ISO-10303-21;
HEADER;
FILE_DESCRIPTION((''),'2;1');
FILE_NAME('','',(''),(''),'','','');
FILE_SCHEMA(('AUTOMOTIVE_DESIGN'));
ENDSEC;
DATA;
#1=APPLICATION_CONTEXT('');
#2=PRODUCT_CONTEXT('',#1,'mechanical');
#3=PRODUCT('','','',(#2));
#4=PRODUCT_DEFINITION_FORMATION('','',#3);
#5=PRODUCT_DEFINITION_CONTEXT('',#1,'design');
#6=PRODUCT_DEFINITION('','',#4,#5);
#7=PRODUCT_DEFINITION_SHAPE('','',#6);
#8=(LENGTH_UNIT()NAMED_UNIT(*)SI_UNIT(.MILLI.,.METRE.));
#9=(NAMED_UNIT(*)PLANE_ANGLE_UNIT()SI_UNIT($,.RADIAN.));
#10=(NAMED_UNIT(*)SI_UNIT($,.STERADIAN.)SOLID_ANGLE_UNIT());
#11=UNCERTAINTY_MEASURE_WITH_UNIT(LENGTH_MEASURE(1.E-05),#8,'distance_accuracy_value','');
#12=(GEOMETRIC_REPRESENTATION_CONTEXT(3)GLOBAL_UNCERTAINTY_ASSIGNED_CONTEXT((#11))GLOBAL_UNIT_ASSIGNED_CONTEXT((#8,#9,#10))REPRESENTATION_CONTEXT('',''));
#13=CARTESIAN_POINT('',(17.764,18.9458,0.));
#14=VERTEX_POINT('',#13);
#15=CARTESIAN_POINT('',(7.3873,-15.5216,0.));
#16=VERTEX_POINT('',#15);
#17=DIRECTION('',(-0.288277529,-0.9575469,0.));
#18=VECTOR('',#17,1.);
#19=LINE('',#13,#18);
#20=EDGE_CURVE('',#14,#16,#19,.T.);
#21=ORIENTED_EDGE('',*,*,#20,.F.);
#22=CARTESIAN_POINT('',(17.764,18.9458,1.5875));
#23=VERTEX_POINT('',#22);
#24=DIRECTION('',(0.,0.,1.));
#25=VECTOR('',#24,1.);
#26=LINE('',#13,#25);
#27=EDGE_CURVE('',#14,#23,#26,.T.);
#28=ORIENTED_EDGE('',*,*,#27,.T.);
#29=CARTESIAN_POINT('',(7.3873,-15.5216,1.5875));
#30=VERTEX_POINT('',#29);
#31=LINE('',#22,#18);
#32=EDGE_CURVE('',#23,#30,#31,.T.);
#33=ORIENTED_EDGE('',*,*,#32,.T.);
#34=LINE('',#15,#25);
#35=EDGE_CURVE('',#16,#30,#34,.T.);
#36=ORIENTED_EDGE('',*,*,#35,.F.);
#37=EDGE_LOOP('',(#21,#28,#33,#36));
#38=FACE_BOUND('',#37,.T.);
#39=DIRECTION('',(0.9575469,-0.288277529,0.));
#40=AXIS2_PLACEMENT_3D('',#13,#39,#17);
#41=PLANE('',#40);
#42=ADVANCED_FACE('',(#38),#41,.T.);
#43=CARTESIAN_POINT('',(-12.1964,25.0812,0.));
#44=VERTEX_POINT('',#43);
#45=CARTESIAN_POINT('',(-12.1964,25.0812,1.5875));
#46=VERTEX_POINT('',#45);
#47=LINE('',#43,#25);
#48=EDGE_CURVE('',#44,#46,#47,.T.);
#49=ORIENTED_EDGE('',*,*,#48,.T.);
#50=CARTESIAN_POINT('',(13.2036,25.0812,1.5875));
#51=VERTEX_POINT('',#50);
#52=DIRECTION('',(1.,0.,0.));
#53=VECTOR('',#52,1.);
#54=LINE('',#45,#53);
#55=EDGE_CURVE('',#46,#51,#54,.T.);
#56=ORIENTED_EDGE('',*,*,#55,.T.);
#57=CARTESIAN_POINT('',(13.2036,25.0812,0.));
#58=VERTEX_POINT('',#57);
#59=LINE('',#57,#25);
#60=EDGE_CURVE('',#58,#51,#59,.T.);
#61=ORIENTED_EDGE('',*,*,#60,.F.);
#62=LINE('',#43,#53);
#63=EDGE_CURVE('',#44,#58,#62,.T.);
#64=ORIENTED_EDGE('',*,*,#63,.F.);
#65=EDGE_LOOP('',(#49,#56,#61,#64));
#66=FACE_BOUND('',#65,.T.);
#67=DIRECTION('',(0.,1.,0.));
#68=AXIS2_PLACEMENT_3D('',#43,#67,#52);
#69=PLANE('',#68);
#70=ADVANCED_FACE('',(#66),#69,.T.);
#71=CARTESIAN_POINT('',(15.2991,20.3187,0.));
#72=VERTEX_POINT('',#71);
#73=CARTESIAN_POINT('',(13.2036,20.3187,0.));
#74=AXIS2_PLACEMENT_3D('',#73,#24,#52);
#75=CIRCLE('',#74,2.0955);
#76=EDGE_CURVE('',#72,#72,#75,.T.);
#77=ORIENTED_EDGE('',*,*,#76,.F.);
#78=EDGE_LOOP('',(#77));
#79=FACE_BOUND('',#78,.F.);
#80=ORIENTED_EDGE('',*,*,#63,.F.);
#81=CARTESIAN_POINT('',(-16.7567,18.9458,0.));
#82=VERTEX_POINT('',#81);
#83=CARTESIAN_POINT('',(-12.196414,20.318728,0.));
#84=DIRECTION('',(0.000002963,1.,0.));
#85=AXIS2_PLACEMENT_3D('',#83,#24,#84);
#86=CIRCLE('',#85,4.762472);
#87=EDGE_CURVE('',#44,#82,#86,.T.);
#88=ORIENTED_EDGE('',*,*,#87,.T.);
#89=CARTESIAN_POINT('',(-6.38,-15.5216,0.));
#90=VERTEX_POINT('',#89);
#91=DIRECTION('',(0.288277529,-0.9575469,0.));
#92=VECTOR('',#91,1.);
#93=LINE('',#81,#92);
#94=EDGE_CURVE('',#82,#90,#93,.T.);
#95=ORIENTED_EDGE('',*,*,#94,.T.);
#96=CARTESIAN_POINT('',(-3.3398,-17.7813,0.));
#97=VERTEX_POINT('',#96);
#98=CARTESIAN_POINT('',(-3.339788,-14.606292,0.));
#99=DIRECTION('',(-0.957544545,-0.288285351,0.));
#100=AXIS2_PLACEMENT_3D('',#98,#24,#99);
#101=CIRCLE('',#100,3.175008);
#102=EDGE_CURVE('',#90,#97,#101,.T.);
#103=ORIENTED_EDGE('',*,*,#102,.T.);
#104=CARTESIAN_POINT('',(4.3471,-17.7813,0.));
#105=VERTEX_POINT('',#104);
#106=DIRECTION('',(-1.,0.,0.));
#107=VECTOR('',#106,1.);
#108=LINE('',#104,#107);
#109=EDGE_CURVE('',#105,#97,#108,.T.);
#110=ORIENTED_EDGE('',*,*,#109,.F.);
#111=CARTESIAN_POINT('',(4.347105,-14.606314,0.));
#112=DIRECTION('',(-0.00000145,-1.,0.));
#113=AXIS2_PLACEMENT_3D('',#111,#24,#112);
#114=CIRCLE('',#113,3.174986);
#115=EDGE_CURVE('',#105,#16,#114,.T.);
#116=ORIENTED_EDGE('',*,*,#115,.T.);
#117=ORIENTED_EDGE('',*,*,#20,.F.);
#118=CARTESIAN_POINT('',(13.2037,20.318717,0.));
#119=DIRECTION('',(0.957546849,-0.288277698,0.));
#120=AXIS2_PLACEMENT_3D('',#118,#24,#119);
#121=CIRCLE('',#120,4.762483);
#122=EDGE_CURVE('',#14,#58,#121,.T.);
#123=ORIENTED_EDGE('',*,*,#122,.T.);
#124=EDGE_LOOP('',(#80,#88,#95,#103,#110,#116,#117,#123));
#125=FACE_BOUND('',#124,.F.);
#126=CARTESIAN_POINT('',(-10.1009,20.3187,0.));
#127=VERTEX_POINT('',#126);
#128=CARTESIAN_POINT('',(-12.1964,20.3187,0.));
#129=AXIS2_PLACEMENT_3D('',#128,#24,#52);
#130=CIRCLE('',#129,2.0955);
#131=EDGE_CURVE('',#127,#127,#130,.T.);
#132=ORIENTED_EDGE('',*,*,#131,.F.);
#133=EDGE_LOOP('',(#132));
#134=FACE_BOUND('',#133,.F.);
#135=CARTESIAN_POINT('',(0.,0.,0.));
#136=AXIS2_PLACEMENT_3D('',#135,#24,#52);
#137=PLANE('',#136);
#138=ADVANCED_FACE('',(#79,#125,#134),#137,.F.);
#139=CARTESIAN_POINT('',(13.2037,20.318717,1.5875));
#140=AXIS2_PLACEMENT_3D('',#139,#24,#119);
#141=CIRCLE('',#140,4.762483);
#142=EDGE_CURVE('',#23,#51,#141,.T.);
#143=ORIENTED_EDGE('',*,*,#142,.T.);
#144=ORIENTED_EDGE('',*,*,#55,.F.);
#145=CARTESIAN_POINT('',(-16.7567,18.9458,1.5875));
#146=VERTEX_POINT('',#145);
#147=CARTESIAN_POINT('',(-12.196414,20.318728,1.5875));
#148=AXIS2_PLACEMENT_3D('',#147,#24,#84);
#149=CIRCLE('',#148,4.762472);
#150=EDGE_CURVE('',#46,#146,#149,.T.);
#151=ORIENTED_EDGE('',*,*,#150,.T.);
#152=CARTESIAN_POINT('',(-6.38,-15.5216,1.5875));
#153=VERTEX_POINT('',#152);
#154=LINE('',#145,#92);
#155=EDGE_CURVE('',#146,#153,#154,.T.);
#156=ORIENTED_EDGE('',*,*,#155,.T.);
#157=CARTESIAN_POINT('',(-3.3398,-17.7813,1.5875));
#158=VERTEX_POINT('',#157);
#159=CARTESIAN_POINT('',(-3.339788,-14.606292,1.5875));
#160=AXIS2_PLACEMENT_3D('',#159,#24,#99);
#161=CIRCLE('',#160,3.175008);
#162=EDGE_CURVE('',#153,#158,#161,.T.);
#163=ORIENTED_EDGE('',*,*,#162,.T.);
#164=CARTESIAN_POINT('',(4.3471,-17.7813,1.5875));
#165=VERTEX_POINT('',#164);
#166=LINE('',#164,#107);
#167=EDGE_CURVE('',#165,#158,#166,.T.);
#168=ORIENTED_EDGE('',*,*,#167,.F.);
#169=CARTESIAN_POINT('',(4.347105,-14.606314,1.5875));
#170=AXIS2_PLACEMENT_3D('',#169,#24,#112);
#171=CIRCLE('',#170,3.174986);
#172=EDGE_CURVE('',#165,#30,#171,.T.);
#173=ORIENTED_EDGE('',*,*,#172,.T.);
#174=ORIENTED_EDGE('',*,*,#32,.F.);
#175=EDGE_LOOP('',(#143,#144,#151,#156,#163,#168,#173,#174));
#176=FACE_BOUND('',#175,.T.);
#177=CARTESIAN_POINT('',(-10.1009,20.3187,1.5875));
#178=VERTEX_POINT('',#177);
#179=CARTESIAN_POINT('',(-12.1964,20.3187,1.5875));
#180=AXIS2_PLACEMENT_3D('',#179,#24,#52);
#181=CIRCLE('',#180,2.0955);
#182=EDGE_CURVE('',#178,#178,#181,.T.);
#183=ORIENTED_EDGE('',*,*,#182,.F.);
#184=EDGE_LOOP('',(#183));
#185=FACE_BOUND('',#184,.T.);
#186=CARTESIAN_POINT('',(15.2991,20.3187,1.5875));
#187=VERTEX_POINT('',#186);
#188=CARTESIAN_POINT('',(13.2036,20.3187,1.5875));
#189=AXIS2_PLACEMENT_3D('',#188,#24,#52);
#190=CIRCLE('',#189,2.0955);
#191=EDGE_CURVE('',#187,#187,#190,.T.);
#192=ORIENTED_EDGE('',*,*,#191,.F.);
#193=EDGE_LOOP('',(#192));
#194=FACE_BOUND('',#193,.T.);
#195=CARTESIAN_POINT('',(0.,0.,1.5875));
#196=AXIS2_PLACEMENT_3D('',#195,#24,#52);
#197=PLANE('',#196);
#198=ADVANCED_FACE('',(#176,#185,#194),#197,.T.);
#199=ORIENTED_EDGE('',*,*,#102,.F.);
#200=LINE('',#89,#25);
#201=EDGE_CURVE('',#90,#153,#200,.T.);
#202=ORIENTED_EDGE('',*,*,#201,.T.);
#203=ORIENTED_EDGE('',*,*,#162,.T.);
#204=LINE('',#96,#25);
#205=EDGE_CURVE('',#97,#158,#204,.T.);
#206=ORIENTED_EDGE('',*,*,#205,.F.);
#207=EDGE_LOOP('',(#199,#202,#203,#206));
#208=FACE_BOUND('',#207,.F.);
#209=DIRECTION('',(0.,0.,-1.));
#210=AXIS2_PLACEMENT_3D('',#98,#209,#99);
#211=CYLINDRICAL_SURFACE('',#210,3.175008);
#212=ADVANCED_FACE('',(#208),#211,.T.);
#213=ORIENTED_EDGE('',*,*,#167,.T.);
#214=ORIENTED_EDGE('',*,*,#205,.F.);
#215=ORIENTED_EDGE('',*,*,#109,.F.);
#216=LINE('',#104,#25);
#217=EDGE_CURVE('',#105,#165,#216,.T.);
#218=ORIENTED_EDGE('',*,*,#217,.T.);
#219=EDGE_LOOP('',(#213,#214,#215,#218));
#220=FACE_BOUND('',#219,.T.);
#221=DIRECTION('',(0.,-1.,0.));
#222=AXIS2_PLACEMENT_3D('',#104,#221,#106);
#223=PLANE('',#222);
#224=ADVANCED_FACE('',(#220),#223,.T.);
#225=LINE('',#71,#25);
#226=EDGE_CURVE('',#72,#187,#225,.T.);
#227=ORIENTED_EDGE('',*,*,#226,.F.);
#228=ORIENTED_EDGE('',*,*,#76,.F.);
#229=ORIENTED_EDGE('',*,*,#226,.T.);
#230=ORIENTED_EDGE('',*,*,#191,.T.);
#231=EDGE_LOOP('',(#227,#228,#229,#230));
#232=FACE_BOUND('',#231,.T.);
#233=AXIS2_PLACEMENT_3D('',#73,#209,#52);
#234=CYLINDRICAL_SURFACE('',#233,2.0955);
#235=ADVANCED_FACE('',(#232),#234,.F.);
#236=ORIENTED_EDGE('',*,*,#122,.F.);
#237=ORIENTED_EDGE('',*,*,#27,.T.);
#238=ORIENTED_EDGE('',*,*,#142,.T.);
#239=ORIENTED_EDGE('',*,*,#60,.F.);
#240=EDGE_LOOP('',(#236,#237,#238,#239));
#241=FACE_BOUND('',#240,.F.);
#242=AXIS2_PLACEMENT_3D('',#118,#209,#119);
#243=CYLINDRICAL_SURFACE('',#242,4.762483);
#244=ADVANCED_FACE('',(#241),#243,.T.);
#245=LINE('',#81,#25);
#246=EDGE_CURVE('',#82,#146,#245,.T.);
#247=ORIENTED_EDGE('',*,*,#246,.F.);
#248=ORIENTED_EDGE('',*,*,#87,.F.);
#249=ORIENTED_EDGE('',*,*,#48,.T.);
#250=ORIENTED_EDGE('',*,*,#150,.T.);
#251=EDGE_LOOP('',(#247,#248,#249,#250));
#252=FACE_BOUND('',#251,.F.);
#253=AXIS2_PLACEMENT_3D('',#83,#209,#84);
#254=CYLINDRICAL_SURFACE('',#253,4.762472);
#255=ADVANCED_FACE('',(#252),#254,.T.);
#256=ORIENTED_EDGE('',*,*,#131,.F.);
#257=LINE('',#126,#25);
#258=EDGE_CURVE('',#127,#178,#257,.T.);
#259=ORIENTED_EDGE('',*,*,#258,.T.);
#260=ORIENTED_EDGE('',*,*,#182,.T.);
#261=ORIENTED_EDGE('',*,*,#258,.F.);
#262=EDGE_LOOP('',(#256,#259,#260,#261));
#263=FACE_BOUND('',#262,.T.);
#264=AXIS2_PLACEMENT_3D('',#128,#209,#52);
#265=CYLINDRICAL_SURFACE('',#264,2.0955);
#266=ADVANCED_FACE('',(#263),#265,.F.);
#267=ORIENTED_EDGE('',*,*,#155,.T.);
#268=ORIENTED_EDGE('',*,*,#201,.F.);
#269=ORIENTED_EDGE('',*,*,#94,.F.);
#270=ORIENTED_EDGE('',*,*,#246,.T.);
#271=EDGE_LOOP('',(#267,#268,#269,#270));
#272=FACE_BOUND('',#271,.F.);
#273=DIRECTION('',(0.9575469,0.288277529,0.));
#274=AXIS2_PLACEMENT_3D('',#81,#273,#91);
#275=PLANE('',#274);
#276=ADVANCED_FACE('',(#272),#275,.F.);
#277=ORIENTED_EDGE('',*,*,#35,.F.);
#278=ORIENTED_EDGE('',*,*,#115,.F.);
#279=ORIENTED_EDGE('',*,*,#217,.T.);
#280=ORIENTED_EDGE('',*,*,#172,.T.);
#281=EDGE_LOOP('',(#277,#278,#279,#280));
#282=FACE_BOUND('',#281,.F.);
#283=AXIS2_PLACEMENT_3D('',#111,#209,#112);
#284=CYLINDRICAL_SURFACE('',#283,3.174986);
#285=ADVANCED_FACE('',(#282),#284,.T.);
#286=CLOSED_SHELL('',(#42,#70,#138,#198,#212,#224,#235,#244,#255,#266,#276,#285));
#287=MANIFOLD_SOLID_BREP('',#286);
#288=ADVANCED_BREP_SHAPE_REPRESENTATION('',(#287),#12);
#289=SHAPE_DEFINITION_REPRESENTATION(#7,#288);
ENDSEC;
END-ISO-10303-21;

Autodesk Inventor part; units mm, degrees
ref_plane "YZ Plane" through (0, 0, 0) normal (1, 0, 0) x (0, 1, 0)
ref_plane "XZ Plane" through (0, 0, 0) normal (0, 1, 0) x (-1, 0, 0)
ref_plane "XY Plane" through (0, 0, 0) normal (0, 0, 1) x (1, 0, 0)
sketch "Sketch1" plane through (0, 0, 0) normal (0, 0, 1) x (1, 0, 0)
  circle A0 centre (13.2036, 20.3187) radius 2.0955
  circle A1 centre (-12.1964, 20.3187) radius 2.0955
  line L0 (4.3471, -17.7813) -> (-3.3398, -17.7813)
  arc A2 (4.3471, -17.7813) -> (7.3873, -15.5216) centre (4.3471, -14.6063) ccw
  arc A3 (-6.38, -15.5216) -> (-3.3398, -17.7813) centre (-3.3398, -14.6063) ccw
  line L1 (-16.7567, 18.9458) -> (-6.38, -15.5216)
  line L2 (17.764, 18.9458) -> (7.3873, -15.5216)
  arc A4 (-12.1964, 25.0812) -> (-16.7567, 18.9458) centre (-12.1964, 20.3187) ccw
  arc A5 (17.764, 18.9458) -> (13.2036, 25.0812) centre (13.2036, 20.3187) ccw
  line L3 (-12.1964, 25.0812) -> (13.2036, 25.0812)
  point P0 (0, 0)
  point P1 (-12.1964, 25.0812)
  point P2 (17.4758, 18.214)
  point P3 (-16.4686, 18.214)
  dimension "d1" = 3.175
  dimension "d8" = 4.191
  dimension "d9" = 4.191
  dimension "d25" = 9.525
  dimension "d26" = 9.525
extrude "Extrusion1" add sketch "Sketch1" along normal blind 1.5875
equation "\"BendRadius\" = Thickness"
equation "\"BendReliefWidth\" = Thickness"
equation "\"BendReliefDepth\" = 0.5 * Thickness"
equation "\"CornerReliefSize\" = 4 * Thickness"
equation "\"MinimumRemnant\" = 2 * Thickness"
equation "\"TransitionRadius\" = BendRadius"
equation "\"JacobiRadiusSize\" = BendRadius"
equation "\"GapSize\" = Thickness"
equation "\"Thickness\" = 1.5875"
properties part number "Hook Gussett" material "Acetal Resin, White"
